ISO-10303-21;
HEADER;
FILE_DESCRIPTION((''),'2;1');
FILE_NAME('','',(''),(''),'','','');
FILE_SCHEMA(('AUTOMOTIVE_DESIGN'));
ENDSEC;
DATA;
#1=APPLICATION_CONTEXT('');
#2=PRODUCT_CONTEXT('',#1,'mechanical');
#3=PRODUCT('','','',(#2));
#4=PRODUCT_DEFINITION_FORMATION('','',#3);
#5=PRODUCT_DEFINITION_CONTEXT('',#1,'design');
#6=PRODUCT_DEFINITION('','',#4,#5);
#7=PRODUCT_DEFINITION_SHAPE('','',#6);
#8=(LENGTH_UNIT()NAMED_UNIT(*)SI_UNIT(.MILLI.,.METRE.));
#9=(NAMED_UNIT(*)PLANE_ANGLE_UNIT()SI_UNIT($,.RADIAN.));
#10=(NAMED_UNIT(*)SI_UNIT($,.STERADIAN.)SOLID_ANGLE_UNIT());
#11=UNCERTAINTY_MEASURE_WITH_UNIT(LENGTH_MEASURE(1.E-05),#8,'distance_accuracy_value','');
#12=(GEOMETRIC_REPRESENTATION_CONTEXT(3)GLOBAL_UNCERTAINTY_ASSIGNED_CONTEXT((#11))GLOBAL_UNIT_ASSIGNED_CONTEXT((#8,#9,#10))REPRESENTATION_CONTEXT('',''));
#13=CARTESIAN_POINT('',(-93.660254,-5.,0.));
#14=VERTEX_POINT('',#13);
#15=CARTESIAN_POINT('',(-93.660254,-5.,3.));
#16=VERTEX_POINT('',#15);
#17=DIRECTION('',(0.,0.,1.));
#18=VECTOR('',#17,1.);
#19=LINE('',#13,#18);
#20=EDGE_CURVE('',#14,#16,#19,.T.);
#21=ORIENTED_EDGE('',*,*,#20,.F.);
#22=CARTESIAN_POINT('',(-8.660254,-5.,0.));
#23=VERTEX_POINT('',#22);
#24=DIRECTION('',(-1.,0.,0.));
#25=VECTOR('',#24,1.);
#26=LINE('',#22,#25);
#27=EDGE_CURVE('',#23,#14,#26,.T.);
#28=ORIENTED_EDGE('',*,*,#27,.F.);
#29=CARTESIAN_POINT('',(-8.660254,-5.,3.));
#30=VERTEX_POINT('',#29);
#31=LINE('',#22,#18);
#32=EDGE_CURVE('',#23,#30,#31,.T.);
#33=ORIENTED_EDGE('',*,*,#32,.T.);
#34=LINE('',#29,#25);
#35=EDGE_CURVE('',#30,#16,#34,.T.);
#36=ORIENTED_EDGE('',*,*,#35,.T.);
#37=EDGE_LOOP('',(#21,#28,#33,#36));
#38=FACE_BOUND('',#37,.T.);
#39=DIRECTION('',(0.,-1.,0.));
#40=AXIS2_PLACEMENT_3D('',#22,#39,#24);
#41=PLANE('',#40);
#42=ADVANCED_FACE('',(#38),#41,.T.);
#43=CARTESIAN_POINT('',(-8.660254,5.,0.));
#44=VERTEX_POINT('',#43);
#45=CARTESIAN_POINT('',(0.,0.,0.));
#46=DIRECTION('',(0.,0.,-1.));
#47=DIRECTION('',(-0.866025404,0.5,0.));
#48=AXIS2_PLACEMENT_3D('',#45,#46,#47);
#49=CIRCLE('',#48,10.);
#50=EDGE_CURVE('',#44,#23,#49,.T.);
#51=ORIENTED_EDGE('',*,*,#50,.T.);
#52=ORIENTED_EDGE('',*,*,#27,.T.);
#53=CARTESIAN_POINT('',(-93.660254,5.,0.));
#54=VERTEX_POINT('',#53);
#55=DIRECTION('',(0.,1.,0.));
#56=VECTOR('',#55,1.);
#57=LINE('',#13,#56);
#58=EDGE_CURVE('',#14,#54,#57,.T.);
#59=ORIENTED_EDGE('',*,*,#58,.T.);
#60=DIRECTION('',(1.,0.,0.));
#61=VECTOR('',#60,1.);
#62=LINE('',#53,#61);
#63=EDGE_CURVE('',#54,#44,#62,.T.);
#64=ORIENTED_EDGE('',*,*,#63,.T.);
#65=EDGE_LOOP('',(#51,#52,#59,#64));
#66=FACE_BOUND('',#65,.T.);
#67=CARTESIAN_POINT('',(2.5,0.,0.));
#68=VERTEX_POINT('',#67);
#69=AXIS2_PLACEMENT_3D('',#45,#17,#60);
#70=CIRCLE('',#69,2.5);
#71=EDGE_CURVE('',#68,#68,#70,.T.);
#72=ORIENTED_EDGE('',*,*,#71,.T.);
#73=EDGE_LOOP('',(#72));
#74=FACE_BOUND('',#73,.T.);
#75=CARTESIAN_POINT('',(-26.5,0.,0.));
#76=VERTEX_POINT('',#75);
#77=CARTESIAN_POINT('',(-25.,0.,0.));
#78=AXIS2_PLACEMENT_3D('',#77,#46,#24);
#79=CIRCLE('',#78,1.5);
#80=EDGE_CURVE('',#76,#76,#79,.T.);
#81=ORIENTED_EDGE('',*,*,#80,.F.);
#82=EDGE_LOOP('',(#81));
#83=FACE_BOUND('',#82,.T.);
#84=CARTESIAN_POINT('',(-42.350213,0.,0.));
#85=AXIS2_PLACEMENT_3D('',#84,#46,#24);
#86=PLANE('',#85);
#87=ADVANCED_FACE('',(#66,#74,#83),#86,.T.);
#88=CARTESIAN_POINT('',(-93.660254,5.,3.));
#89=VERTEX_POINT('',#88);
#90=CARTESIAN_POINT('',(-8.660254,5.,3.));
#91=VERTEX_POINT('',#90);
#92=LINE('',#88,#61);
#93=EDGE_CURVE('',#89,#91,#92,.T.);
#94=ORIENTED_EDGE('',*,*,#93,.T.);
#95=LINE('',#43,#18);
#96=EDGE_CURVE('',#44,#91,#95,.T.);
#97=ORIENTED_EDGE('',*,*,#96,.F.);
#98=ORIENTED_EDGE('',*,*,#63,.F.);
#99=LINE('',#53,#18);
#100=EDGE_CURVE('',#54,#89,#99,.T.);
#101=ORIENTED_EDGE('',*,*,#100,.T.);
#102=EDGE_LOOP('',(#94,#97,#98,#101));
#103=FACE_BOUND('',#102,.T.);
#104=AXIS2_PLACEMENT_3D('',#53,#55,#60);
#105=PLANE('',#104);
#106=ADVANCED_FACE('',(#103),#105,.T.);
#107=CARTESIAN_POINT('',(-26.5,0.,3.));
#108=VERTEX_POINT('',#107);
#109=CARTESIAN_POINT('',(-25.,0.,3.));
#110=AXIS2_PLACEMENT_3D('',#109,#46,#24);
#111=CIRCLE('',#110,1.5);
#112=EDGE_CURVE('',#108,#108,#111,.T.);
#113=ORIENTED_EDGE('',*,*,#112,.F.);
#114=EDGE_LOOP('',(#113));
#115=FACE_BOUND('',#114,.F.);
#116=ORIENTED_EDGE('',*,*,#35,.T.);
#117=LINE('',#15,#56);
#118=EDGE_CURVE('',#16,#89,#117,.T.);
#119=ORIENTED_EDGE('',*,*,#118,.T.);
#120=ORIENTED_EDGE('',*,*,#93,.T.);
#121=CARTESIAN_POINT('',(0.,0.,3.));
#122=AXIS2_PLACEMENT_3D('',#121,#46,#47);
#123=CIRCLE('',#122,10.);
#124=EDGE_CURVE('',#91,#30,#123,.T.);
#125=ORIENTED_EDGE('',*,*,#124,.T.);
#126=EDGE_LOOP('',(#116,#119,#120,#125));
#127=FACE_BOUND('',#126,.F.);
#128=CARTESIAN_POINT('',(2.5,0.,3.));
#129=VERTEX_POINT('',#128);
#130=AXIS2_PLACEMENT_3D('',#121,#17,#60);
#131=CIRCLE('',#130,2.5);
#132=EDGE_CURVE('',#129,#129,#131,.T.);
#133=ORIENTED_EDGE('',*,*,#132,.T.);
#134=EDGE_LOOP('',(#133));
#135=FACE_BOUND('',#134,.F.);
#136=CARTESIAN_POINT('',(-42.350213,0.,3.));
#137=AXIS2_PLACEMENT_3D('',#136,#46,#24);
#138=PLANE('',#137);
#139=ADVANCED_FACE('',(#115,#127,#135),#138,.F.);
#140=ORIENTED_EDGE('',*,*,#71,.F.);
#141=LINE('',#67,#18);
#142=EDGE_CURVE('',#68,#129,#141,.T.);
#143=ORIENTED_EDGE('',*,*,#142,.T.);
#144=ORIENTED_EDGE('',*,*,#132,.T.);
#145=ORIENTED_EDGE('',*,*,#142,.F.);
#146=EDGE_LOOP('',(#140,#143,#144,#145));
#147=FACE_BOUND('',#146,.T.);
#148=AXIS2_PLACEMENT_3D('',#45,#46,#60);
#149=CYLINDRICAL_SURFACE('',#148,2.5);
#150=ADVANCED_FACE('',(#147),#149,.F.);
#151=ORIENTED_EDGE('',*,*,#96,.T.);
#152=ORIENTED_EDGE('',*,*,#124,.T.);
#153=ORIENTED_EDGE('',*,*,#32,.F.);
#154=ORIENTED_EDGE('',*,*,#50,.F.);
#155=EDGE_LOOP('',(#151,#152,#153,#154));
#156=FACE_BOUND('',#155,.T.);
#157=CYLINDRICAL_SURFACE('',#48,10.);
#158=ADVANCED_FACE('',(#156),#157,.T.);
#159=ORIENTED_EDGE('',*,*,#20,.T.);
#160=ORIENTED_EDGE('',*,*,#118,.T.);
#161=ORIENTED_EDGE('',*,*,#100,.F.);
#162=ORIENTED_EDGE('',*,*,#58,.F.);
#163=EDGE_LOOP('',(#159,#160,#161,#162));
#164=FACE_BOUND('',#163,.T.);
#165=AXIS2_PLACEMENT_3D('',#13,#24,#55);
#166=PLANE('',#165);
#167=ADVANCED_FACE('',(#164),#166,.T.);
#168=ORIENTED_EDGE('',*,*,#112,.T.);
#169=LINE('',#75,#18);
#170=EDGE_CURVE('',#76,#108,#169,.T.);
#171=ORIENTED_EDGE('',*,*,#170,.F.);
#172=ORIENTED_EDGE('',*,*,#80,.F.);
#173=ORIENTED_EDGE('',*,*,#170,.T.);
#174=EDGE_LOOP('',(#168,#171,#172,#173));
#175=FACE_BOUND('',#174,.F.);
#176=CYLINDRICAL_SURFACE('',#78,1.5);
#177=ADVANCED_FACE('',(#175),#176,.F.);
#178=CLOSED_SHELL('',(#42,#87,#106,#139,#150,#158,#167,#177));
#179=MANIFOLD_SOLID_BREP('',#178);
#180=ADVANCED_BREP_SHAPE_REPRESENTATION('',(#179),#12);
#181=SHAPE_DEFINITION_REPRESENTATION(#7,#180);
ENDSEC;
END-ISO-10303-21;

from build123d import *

# Parameters (mm, degrees)
SKETCH1_R           = 2.5
BOSS_EXTRUDE1_DEPTH = 3
SKETCH2_R           = 1.5
CUT_EXTRUDE1_DEPTH  = 10


with BuildPart() as part:
    # Sketch1 → Boss-Extrude1 (new body)
    with BuildSketch(Plane.XY):
        with BuildLine():
            Line((-93.660254038, 5), (-8.660254038, 5))
            ThreePointArc((-8.660254038, 5), (10, 0), (-8.660254038, -5))
            Line((-8.660254038, -5), (-93.660254038, -5))
            Line((-93.660254038, -5), (-93.660254038, 5))
        make_face()
        Circle(SKETCH1_R, mode=Mode.SUBTRACT)
    extrude(amount=BOSS_EXTRUDE1_DEPTH)

    # Sketch2 → Cut-Extrude1 (cut)
    with BuildSketch(Plane(origin=(0, 0, 0), x_dir=(-1, 0, 0), z_dir=(0, 0, -1))):
        with Locations((25, 0)):
            Circle(SKETCH2_R)
    extrude(amount=-CUT_EXTRUDE1_DEPTH, mode=Mode.SUBTRACT)


solid = part.part
